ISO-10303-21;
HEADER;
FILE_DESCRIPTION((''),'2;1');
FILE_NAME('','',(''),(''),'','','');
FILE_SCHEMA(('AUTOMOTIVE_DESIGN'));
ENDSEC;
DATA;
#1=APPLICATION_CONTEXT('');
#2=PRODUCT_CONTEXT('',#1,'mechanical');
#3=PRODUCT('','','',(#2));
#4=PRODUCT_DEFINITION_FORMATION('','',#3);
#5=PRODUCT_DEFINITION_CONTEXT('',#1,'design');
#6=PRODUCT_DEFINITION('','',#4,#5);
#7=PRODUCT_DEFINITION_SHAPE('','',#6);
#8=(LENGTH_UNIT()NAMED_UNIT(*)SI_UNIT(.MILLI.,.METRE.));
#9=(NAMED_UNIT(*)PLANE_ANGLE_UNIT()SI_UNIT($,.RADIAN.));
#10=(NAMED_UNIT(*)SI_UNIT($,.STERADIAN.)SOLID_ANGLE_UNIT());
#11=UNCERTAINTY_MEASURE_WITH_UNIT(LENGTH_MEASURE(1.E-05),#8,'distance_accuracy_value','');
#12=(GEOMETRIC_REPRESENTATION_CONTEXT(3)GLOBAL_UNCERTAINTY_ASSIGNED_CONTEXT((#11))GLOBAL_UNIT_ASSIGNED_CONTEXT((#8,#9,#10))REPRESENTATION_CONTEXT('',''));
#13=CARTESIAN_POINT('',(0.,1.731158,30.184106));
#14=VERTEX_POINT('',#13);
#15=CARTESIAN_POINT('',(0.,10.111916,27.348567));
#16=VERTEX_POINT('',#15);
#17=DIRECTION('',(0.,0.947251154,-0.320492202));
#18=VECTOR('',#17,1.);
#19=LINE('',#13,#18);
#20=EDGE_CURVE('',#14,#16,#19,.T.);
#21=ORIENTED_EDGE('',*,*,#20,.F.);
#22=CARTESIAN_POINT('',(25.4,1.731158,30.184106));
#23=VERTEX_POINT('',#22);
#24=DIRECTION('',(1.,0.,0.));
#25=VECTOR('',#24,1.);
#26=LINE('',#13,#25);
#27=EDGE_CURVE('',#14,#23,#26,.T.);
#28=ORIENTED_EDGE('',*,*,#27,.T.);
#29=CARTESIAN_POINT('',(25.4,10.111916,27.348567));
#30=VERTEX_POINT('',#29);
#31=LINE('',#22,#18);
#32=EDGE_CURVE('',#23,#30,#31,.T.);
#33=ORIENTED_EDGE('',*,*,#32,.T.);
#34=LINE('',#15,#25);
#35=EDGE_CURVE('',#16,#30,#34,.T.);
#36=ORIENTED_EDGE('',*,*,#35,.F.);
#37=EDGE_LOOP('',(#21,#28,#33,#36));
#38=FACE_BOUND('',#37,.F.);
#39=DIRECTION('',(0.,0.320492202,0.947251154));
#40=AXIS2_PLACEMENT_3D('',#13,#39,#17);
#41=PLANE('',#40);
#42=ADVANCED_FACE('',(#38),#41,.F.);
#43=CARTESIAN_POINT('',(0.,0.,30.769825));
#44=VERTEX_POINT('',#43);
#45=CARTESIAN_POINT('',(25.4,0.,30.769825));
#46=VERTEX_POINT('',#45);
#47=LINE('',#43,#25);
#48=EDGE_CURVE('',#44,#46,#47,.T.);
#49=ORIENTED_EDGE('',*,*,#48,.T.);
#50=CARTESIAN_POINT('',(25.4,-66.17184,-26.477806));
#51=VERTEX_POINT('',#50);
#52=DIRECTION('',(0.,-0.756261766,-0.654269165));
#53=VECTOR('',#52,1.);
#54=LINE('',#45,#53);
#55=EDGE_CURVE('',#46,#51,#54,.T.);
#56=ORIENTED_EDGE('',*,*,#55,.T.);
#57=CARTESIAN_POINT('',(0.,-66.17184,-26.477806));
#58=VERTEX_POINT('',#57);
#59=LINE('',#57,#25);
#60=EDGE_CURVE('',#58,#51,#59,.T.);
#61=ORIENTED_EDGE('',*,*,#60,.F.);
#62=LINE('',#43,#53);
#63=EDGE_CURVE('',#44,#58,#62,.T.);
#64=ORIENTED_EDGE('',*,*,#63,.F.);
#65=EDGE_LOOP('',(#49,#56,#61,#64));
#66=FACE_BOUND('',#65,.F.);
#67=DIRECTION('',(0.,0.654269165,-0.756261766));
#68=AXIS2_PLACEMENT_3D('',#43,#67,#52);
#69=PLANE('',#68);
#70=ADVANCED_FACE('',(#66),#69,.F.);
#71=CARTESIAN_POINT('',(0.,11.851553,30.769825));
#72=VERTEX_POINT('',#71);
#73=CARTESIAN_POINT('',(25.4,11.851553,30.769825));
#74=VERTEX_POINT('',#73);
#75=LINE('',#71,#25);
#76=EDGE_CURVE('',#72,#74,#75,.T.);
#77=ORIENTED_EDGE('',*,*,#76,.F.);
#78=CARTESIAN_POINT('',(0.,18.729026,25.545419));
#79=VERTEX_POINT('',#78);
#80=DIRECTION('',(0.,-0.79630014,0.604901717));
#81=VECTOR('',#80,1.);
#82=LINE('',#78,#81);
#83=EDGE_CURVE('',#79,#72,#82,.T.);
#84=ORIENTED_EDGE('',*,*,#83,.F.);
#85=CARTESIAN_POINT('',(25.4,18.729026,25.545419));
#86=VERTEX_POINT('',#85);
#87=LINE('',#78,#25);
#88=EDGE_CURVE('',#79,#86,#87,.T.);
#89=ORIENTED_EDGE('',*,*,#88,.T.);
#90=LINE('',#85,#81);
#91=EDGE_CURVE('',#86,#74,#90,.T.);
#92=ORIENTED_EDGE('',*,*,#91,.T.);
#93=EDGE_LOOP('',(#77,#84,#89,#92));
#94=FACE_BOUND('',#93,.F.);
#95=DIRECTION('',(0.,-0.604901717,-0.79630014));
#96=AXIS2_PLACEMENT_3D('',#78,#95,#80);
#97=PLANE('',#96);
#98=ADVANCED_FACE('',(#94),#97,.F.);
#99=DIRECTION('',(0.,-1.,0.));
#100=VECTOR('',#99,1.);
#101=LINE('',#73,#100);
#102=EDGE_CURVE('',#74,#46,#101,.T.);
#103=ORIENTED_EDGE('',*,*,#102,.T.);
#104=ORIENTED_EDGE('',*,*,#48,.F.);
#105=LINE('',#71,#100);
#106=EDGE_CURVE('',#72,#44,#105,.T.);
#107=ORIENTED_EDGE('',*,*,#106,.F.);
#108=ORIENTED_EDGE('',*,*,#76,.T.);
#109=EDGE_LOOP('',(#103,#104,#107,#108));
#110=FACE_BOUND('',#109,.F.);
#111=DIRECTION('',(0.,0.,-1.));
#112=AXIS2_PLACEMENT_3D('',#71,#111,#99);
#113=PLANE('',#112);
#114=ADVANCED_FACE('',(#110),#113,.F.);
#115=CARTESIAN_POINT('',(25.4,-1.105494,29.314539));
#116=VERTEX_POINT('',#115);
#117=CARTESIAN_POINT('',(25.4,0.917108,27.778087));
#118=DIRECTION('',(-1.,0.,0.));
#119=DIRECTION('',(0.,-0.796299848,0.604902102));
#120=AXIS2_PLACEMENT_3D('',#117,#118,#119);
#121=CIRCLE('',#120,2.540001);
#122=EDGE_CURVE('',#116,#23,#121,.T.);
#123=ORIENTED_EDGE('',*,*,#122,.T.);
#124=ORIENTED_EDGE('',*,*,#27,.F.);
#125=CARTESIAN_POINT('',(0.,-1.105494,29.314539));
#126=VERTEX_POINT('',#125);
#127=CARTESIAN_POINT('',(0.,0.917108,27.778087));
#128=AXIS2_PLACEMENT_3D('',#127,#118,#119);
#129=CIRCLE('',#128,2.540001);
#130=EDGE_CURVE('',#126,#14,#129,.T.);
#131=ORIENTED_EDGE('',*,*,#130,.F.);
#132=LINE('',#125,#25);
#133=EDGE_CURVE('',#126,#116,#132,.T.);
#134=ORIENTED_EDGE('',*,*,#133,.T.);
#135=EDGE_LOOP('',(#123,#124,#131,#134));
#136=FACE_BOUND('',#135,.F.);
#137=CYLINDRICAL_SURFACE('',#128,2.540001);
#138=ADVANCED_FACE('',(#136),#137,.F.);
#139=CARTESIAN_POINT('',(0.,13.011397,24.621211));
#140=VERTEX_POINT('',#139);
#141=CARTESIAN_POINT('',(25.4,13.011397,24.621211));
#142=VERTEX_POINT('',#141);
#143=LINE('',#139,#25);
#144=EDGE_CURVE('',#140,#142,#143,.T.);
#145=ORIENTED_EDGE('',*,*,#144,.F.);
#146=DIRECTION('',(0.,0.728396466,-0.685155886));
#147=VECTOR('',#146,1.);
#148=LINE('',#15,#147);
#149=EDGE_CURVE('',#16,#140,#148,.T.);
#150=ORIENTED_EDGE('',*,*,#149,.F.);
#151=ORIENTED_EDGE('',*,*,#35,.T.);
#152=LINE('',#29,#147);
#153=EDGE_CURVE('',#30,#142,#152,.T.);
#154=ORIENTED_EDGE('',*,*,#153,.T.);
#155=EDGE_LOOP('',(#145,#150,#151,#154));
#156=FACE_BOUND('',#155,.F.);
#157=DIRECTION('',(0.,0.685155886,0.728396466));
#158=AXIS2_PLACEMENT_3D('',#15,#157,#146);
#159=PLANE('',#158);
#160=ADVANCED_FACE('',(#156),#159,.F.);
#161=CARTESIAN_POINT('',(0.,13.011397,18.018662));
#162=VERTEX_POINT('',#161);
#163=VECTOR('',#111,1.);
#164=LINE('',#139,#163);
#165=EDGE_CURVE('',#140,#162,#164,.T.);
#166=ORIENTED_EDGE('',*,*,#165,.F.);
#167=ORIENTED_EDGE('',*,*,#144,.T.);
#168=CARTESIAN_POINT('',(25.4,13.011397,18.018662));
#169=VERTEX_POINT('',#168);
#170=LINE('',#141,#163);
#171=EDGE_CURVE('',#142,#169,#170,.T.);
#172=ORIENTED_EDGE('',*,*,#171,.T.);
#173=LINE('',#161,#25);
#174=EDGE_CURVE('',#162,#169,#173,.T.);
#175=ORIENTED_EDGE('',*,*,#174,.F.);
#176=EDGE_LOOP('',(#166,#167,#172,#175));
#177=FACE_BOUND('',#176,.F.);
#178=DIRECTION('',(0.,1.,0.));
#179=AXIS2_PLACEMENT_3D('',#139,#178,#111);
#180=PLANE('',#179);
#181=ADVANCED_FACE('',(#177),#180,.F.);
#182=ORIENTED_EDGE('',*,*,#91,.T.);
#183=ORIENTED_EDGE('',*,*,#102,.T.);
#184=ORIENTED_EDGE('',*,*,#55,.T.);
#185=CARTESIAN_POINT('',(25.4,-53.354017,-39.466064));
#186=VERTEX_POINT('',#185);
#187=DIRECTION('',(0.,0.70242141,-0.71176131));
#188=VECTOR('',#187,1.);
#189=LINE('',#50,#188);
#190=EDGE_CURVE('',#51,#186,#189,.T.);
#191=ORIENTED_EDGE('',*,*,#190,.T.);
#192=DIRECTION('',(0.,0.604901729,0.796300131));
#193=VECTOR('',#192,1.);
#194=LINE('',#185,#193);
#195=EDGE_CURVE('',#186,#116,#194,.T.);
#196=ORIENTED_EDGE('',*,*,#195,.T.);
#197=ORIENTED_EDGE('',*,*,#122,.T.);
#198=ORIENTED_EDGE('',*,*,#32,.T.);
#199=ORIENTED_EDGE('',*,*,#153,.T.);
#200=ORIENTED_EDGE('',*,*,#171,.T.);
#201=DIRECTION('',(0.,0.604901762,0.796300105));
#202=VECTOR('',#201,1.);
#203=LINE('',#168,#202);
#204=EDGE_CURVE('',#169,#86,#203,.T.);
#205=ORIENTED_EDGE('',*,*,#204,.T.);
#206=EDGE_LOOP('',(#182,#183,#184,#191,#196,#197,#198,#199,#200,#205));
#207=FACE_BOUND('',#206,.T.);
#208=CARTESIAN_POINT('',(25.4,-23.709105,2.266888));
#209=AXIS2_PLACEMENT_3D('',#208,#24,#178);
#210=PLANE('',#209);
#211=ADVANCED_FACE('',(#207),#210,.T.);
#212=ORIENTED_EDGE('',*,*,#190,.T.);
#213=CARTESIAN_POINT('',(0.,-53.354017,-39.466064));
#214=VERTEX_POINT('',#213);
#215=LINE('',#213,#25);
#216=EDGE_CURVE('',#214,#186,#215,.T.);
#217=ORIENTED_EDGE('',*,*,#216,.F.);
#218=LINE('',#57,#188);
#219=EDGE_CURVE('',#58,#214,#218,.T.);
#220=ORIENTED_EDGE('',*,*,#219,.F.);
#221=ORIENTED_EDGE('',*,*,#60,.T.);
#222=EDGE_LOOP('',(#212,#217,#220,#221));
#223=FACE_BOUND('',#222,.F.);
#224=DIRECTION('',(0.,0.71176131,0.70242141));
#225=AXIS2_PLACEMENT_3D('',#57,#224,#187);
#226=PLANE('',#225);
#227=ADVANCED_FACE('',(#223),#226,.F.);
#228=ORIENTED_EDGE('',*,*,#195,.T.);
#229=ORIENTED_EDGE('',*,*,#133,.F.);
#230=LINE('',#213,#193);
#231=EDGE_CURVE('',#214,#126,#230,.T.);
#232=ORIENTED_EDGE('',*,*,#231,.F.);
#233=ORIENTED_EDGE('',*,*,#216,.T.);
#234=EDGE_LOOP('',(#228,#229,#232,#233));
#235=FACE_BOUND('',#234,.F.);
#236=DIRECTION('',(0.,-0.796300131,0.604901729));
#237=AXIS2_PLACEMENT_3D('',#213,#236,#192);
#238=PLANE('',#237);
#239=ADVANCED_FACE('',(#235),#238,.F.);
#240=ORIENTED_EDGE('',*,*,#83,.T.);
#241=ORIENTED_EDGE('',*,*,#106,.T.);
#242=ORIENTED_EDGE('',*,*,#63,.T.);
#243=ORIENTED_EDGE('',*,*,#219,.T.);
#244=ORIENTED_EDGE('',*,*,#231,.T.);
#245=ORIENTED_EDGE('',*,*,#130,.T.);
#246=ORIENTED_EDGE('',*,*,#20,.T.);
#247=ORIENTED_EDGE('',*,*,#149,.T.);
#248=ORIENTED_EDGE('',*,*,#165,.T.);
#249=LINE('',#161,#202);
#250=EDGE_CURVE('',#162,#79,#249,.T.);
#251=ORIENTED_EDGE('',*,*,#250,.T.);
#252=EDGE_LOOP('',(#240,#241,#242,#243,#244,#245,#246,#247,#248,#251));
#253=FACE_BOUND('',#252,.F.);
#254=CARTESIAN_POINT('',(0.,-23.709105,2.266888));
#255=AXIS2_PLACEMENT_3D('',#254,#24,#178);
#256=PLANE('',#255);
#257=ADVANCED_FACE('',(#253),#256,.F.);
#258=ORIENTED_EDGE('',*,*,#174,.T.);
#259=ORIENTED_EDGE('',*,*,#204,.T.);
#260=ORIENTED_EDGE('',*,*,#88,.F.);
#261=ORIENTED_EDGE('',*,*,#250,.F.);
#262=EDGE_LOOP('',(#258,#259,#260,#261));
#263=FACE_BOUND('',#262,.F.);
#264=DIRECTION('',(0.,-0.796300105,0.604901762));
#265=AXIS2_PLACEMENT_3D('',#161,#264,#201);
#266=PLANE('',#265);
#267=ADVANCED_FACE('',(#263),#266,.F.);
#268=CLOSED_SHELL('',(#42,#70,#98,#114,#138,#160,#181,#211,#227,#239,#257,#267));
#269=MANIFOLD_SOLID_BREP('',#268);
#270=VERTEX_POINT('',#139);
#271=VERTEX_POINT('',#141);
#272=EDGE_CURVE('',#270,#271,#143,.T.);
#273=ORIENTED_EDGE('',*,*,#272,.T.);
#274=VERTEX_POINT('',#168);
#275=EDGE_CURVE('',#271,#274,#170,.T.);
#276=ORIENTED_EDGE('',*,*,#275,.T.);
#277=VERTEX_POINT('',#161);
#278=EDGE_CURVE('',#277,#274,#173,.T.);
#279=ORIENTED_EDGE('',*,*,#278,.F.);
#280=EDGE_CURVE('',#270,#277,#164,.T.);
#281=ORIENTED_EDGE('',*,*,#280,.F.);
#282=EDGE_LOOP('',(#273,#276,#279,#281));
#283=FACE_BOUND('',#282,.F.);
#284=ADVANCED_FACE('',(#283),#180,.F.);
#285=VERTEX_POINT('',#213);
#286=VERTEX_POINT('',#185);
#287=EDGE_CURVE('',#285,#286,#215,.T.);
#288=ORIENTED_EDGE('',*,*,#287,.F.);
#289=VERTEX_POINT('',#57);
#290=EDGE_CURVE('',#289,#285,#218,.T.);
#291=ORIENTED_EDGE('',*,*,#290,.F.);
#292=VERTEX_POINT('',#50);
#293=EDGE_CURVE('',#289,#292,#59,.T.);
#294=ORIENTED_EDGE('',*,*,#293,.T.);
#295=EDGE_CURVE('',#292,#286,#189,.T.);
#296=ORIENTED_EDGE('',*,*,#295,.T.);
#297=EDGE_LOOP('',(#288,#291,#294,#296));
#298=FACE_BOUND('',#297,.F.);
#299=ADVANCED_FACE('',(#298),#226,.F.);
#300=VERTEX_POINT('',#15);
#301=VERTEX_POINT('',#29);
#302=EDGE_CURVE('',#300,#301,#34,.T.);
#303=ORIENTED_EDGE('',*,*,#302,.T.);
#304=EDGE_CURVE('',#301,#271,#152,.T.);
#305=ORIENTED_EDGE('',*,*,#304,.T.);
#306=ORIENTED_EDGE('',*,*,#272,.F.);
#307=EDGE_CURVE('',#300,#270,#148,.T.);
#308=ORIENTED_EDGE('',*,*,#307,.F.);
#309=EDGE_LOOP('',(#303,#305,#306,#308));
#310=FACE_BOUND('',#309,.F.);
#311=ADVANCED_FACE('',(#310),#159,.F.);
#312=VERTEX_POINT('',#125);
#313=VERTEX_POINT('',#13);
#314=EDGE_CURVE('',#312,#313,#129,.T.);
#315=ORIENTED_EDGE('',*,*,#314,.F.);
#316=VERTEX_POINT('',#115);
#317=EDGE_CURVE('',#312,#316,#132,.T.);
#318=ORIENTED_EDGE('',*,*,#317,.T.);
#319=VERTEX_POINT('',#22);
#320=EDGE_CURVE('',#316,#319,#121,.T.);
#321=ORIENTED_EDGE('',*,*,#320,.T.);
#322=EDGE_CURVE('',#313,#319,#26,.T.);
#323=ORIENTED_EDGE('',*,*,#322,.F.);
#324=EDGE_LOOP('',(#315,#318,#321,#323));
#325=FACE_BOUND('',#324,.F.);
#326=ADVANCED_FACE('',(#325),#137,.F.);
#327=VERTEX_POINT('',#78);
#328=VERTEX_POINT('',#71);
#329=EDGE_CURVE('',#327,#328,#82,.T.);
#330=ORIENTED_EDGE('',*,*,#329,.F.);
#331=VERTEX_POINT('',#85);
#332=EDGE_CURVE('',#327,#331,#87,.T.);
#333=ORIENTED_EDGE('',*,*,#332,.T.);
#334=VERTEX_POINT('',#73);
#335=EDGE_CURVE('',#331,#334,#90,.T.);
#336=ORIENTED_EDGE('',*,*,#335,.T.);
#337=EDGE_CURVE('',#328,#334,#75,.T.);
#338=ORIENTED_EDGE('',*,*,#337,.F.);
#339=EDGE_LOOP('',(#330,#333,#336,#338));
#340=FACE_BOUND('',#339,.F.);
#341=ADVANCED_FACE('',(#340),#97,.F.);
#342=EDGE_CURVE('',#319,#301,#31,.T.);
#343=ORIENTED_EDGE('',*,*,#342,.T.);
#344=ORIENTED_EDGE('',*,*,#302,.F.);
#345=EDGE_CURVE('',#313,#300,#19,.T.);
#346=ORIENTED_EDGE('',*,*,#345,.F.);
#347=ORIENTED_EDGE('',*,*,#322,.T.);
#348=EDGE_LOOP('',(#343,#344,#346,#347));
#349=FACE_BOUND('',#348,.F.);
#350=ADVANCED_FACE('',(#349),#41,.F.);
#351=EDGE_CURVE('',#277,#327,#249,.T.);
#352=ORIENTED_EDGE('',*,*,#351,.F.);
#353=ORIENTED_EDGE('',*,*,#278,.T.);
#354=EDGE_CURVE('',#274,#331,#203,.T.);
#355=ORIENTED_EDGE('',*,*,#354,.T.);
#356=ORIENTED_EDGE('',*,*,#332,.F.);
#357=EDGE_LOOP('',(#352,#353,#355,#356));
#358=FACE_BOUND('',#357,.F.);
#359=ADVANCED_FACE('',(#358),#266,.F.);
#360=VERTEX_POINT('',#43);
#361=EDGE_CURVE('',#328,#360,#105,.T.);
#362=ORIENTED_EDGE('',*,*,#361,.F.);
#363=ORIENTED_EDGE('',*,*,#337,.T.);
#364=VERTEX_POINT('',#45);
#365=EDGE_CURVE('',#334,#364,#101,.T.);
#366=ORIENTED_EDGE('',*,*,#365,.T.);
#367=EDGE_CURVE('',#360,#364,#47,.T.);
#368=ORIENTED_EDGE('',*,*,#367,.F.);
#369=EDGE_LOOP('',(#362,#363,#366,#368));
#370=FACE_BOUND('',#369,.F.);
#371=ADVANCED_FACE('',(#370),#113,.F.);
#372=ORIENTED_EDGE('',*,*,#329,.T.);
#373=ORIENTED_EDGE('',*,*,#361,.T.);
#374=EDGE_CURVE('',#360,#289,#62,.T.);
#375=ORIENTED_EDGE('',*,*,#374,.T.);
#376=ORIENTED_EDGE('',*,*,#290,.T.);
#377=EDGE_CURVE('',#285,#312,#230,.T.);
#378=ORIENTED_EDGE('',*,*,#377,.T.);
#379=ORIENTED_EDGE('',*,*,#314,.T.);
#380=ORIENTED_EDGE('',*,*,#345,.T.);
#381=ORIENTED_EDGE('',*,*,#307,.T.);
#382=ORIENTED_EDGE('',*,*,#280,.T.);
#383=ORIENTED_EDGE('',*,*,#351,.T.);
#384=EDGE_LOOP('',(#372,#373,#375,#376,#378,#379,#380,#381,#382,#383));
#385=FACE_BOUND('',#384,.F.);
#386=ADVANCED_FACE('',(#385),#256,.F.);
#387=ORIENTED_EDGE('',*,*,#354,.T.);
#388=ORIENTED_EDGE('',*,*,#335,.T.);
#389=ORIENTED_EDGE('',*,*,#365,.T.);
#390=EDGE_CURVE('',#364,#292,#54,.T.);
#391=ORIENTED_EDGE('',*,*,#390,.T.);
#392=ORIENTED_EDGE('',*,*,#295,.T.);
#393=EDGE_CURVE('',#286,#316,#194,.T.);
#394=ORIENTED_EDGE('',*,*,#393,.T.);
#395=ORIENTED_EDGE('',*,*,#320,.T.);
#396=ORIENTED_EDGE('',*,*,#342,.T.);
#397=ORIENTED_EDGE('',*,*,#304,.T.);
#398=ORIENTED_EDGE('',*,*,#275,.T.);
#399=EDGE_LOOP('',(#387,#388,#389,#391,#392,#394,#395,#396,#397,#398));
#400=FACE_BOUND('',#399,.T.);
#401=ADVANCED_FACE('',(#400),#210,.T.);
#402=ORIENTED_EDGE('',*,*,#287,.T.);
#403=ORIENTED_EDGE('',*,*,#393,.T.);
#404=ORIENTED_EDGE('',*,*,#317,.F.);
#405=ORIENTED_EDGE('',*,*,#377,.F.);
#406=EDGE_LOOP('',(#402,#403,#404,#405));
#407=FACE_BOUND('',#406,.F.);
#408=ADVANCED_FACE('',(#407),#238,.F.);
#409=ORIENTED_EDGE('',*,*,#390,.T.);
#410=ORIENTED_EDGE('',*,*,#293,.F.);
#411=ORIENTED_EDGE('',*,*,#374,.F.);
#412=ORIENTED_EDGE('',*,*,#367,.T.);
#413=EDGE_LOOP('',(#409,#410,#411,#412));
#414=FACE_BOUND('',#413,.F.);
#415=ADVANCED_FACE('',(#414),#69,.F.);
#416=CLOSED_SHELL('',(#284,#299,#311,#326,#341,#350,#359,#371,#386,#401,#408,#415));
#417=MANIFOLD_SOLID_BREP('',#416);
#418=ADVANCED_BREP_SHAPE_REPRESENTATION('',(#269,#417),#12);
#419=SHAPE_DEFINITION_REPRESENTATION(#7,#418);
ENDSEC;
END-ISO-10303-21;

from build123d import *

# Parameters (mm, degrees)
F1_DEPTH = 25.4
F2_DEPTH = 25.4


with BuildPart() as f1:
    # F0 (on Right) → F1 (new body)
    with BuildSketch(Plane.YZ):
        with BuildLine():
            Line((0, 30.769825), (-66.17184, -26.477806))
            Line((-66.17184, -26.477806), (-53.354017, -39.466064))
            Line((-53.354017, -39.466064), (-1.105494, 29.314539))
            ThreePointArc((-1.105494, 29.314539), (0.172671, 30.206547), (1.731158, 30.184106))
            Line((1.731158, 30.184106), (10.111916, 27.348567))
            Line((10.111916, 27.348567), (13.011397, 24.621211))
            Line((13.011397, 24.621211), (13.011397, 18.018662))
            Line((13.011397, 18.018662), (18.729026, 25.545419))
            Line((18.729026, 25.545419), (11.851553, 30.769825))
            Line((11.851553, 30.769825), (0, 30.769825))
        make_face()
    extrude(amount=F1_DEPTH)


with BuildPart() as f2:
    # F0 (on Right) → F2 (new body)
    with BuildSketch(Plane.YZ):
        with BuildLine():
            Line((0, 30.769825), (-66.17184, -26.477806))
            Line((-66.17184, -26.477806), (-53.354017, -39.466064))
            Line((-53.354017, -39.466064), (-1.105494, 29.314539))
            ThreePointArc((-1.105494, 29.314539), (0.172671, 30.206547), (1.731158, 30.184106))
            Line((1.731158, 30.184106), (10.111916, 27.348567))
            Line((10.111916, 27.348567), (13.011397, 24.621211))
            Line((13.011397, 24.621211), (13.011397, 18.018662))
            Line((13.011397, 18.018662), (18.729026, 25.545419))
            Line((18.729026, 25.545419), (11.851553, 30.769825))
            Line((11.851553, 30.769825), (0, 30.769825))
        make_face()
    extrude(amount=F2_DEPTH)


solid = Compound([f1.part, f2.part])
